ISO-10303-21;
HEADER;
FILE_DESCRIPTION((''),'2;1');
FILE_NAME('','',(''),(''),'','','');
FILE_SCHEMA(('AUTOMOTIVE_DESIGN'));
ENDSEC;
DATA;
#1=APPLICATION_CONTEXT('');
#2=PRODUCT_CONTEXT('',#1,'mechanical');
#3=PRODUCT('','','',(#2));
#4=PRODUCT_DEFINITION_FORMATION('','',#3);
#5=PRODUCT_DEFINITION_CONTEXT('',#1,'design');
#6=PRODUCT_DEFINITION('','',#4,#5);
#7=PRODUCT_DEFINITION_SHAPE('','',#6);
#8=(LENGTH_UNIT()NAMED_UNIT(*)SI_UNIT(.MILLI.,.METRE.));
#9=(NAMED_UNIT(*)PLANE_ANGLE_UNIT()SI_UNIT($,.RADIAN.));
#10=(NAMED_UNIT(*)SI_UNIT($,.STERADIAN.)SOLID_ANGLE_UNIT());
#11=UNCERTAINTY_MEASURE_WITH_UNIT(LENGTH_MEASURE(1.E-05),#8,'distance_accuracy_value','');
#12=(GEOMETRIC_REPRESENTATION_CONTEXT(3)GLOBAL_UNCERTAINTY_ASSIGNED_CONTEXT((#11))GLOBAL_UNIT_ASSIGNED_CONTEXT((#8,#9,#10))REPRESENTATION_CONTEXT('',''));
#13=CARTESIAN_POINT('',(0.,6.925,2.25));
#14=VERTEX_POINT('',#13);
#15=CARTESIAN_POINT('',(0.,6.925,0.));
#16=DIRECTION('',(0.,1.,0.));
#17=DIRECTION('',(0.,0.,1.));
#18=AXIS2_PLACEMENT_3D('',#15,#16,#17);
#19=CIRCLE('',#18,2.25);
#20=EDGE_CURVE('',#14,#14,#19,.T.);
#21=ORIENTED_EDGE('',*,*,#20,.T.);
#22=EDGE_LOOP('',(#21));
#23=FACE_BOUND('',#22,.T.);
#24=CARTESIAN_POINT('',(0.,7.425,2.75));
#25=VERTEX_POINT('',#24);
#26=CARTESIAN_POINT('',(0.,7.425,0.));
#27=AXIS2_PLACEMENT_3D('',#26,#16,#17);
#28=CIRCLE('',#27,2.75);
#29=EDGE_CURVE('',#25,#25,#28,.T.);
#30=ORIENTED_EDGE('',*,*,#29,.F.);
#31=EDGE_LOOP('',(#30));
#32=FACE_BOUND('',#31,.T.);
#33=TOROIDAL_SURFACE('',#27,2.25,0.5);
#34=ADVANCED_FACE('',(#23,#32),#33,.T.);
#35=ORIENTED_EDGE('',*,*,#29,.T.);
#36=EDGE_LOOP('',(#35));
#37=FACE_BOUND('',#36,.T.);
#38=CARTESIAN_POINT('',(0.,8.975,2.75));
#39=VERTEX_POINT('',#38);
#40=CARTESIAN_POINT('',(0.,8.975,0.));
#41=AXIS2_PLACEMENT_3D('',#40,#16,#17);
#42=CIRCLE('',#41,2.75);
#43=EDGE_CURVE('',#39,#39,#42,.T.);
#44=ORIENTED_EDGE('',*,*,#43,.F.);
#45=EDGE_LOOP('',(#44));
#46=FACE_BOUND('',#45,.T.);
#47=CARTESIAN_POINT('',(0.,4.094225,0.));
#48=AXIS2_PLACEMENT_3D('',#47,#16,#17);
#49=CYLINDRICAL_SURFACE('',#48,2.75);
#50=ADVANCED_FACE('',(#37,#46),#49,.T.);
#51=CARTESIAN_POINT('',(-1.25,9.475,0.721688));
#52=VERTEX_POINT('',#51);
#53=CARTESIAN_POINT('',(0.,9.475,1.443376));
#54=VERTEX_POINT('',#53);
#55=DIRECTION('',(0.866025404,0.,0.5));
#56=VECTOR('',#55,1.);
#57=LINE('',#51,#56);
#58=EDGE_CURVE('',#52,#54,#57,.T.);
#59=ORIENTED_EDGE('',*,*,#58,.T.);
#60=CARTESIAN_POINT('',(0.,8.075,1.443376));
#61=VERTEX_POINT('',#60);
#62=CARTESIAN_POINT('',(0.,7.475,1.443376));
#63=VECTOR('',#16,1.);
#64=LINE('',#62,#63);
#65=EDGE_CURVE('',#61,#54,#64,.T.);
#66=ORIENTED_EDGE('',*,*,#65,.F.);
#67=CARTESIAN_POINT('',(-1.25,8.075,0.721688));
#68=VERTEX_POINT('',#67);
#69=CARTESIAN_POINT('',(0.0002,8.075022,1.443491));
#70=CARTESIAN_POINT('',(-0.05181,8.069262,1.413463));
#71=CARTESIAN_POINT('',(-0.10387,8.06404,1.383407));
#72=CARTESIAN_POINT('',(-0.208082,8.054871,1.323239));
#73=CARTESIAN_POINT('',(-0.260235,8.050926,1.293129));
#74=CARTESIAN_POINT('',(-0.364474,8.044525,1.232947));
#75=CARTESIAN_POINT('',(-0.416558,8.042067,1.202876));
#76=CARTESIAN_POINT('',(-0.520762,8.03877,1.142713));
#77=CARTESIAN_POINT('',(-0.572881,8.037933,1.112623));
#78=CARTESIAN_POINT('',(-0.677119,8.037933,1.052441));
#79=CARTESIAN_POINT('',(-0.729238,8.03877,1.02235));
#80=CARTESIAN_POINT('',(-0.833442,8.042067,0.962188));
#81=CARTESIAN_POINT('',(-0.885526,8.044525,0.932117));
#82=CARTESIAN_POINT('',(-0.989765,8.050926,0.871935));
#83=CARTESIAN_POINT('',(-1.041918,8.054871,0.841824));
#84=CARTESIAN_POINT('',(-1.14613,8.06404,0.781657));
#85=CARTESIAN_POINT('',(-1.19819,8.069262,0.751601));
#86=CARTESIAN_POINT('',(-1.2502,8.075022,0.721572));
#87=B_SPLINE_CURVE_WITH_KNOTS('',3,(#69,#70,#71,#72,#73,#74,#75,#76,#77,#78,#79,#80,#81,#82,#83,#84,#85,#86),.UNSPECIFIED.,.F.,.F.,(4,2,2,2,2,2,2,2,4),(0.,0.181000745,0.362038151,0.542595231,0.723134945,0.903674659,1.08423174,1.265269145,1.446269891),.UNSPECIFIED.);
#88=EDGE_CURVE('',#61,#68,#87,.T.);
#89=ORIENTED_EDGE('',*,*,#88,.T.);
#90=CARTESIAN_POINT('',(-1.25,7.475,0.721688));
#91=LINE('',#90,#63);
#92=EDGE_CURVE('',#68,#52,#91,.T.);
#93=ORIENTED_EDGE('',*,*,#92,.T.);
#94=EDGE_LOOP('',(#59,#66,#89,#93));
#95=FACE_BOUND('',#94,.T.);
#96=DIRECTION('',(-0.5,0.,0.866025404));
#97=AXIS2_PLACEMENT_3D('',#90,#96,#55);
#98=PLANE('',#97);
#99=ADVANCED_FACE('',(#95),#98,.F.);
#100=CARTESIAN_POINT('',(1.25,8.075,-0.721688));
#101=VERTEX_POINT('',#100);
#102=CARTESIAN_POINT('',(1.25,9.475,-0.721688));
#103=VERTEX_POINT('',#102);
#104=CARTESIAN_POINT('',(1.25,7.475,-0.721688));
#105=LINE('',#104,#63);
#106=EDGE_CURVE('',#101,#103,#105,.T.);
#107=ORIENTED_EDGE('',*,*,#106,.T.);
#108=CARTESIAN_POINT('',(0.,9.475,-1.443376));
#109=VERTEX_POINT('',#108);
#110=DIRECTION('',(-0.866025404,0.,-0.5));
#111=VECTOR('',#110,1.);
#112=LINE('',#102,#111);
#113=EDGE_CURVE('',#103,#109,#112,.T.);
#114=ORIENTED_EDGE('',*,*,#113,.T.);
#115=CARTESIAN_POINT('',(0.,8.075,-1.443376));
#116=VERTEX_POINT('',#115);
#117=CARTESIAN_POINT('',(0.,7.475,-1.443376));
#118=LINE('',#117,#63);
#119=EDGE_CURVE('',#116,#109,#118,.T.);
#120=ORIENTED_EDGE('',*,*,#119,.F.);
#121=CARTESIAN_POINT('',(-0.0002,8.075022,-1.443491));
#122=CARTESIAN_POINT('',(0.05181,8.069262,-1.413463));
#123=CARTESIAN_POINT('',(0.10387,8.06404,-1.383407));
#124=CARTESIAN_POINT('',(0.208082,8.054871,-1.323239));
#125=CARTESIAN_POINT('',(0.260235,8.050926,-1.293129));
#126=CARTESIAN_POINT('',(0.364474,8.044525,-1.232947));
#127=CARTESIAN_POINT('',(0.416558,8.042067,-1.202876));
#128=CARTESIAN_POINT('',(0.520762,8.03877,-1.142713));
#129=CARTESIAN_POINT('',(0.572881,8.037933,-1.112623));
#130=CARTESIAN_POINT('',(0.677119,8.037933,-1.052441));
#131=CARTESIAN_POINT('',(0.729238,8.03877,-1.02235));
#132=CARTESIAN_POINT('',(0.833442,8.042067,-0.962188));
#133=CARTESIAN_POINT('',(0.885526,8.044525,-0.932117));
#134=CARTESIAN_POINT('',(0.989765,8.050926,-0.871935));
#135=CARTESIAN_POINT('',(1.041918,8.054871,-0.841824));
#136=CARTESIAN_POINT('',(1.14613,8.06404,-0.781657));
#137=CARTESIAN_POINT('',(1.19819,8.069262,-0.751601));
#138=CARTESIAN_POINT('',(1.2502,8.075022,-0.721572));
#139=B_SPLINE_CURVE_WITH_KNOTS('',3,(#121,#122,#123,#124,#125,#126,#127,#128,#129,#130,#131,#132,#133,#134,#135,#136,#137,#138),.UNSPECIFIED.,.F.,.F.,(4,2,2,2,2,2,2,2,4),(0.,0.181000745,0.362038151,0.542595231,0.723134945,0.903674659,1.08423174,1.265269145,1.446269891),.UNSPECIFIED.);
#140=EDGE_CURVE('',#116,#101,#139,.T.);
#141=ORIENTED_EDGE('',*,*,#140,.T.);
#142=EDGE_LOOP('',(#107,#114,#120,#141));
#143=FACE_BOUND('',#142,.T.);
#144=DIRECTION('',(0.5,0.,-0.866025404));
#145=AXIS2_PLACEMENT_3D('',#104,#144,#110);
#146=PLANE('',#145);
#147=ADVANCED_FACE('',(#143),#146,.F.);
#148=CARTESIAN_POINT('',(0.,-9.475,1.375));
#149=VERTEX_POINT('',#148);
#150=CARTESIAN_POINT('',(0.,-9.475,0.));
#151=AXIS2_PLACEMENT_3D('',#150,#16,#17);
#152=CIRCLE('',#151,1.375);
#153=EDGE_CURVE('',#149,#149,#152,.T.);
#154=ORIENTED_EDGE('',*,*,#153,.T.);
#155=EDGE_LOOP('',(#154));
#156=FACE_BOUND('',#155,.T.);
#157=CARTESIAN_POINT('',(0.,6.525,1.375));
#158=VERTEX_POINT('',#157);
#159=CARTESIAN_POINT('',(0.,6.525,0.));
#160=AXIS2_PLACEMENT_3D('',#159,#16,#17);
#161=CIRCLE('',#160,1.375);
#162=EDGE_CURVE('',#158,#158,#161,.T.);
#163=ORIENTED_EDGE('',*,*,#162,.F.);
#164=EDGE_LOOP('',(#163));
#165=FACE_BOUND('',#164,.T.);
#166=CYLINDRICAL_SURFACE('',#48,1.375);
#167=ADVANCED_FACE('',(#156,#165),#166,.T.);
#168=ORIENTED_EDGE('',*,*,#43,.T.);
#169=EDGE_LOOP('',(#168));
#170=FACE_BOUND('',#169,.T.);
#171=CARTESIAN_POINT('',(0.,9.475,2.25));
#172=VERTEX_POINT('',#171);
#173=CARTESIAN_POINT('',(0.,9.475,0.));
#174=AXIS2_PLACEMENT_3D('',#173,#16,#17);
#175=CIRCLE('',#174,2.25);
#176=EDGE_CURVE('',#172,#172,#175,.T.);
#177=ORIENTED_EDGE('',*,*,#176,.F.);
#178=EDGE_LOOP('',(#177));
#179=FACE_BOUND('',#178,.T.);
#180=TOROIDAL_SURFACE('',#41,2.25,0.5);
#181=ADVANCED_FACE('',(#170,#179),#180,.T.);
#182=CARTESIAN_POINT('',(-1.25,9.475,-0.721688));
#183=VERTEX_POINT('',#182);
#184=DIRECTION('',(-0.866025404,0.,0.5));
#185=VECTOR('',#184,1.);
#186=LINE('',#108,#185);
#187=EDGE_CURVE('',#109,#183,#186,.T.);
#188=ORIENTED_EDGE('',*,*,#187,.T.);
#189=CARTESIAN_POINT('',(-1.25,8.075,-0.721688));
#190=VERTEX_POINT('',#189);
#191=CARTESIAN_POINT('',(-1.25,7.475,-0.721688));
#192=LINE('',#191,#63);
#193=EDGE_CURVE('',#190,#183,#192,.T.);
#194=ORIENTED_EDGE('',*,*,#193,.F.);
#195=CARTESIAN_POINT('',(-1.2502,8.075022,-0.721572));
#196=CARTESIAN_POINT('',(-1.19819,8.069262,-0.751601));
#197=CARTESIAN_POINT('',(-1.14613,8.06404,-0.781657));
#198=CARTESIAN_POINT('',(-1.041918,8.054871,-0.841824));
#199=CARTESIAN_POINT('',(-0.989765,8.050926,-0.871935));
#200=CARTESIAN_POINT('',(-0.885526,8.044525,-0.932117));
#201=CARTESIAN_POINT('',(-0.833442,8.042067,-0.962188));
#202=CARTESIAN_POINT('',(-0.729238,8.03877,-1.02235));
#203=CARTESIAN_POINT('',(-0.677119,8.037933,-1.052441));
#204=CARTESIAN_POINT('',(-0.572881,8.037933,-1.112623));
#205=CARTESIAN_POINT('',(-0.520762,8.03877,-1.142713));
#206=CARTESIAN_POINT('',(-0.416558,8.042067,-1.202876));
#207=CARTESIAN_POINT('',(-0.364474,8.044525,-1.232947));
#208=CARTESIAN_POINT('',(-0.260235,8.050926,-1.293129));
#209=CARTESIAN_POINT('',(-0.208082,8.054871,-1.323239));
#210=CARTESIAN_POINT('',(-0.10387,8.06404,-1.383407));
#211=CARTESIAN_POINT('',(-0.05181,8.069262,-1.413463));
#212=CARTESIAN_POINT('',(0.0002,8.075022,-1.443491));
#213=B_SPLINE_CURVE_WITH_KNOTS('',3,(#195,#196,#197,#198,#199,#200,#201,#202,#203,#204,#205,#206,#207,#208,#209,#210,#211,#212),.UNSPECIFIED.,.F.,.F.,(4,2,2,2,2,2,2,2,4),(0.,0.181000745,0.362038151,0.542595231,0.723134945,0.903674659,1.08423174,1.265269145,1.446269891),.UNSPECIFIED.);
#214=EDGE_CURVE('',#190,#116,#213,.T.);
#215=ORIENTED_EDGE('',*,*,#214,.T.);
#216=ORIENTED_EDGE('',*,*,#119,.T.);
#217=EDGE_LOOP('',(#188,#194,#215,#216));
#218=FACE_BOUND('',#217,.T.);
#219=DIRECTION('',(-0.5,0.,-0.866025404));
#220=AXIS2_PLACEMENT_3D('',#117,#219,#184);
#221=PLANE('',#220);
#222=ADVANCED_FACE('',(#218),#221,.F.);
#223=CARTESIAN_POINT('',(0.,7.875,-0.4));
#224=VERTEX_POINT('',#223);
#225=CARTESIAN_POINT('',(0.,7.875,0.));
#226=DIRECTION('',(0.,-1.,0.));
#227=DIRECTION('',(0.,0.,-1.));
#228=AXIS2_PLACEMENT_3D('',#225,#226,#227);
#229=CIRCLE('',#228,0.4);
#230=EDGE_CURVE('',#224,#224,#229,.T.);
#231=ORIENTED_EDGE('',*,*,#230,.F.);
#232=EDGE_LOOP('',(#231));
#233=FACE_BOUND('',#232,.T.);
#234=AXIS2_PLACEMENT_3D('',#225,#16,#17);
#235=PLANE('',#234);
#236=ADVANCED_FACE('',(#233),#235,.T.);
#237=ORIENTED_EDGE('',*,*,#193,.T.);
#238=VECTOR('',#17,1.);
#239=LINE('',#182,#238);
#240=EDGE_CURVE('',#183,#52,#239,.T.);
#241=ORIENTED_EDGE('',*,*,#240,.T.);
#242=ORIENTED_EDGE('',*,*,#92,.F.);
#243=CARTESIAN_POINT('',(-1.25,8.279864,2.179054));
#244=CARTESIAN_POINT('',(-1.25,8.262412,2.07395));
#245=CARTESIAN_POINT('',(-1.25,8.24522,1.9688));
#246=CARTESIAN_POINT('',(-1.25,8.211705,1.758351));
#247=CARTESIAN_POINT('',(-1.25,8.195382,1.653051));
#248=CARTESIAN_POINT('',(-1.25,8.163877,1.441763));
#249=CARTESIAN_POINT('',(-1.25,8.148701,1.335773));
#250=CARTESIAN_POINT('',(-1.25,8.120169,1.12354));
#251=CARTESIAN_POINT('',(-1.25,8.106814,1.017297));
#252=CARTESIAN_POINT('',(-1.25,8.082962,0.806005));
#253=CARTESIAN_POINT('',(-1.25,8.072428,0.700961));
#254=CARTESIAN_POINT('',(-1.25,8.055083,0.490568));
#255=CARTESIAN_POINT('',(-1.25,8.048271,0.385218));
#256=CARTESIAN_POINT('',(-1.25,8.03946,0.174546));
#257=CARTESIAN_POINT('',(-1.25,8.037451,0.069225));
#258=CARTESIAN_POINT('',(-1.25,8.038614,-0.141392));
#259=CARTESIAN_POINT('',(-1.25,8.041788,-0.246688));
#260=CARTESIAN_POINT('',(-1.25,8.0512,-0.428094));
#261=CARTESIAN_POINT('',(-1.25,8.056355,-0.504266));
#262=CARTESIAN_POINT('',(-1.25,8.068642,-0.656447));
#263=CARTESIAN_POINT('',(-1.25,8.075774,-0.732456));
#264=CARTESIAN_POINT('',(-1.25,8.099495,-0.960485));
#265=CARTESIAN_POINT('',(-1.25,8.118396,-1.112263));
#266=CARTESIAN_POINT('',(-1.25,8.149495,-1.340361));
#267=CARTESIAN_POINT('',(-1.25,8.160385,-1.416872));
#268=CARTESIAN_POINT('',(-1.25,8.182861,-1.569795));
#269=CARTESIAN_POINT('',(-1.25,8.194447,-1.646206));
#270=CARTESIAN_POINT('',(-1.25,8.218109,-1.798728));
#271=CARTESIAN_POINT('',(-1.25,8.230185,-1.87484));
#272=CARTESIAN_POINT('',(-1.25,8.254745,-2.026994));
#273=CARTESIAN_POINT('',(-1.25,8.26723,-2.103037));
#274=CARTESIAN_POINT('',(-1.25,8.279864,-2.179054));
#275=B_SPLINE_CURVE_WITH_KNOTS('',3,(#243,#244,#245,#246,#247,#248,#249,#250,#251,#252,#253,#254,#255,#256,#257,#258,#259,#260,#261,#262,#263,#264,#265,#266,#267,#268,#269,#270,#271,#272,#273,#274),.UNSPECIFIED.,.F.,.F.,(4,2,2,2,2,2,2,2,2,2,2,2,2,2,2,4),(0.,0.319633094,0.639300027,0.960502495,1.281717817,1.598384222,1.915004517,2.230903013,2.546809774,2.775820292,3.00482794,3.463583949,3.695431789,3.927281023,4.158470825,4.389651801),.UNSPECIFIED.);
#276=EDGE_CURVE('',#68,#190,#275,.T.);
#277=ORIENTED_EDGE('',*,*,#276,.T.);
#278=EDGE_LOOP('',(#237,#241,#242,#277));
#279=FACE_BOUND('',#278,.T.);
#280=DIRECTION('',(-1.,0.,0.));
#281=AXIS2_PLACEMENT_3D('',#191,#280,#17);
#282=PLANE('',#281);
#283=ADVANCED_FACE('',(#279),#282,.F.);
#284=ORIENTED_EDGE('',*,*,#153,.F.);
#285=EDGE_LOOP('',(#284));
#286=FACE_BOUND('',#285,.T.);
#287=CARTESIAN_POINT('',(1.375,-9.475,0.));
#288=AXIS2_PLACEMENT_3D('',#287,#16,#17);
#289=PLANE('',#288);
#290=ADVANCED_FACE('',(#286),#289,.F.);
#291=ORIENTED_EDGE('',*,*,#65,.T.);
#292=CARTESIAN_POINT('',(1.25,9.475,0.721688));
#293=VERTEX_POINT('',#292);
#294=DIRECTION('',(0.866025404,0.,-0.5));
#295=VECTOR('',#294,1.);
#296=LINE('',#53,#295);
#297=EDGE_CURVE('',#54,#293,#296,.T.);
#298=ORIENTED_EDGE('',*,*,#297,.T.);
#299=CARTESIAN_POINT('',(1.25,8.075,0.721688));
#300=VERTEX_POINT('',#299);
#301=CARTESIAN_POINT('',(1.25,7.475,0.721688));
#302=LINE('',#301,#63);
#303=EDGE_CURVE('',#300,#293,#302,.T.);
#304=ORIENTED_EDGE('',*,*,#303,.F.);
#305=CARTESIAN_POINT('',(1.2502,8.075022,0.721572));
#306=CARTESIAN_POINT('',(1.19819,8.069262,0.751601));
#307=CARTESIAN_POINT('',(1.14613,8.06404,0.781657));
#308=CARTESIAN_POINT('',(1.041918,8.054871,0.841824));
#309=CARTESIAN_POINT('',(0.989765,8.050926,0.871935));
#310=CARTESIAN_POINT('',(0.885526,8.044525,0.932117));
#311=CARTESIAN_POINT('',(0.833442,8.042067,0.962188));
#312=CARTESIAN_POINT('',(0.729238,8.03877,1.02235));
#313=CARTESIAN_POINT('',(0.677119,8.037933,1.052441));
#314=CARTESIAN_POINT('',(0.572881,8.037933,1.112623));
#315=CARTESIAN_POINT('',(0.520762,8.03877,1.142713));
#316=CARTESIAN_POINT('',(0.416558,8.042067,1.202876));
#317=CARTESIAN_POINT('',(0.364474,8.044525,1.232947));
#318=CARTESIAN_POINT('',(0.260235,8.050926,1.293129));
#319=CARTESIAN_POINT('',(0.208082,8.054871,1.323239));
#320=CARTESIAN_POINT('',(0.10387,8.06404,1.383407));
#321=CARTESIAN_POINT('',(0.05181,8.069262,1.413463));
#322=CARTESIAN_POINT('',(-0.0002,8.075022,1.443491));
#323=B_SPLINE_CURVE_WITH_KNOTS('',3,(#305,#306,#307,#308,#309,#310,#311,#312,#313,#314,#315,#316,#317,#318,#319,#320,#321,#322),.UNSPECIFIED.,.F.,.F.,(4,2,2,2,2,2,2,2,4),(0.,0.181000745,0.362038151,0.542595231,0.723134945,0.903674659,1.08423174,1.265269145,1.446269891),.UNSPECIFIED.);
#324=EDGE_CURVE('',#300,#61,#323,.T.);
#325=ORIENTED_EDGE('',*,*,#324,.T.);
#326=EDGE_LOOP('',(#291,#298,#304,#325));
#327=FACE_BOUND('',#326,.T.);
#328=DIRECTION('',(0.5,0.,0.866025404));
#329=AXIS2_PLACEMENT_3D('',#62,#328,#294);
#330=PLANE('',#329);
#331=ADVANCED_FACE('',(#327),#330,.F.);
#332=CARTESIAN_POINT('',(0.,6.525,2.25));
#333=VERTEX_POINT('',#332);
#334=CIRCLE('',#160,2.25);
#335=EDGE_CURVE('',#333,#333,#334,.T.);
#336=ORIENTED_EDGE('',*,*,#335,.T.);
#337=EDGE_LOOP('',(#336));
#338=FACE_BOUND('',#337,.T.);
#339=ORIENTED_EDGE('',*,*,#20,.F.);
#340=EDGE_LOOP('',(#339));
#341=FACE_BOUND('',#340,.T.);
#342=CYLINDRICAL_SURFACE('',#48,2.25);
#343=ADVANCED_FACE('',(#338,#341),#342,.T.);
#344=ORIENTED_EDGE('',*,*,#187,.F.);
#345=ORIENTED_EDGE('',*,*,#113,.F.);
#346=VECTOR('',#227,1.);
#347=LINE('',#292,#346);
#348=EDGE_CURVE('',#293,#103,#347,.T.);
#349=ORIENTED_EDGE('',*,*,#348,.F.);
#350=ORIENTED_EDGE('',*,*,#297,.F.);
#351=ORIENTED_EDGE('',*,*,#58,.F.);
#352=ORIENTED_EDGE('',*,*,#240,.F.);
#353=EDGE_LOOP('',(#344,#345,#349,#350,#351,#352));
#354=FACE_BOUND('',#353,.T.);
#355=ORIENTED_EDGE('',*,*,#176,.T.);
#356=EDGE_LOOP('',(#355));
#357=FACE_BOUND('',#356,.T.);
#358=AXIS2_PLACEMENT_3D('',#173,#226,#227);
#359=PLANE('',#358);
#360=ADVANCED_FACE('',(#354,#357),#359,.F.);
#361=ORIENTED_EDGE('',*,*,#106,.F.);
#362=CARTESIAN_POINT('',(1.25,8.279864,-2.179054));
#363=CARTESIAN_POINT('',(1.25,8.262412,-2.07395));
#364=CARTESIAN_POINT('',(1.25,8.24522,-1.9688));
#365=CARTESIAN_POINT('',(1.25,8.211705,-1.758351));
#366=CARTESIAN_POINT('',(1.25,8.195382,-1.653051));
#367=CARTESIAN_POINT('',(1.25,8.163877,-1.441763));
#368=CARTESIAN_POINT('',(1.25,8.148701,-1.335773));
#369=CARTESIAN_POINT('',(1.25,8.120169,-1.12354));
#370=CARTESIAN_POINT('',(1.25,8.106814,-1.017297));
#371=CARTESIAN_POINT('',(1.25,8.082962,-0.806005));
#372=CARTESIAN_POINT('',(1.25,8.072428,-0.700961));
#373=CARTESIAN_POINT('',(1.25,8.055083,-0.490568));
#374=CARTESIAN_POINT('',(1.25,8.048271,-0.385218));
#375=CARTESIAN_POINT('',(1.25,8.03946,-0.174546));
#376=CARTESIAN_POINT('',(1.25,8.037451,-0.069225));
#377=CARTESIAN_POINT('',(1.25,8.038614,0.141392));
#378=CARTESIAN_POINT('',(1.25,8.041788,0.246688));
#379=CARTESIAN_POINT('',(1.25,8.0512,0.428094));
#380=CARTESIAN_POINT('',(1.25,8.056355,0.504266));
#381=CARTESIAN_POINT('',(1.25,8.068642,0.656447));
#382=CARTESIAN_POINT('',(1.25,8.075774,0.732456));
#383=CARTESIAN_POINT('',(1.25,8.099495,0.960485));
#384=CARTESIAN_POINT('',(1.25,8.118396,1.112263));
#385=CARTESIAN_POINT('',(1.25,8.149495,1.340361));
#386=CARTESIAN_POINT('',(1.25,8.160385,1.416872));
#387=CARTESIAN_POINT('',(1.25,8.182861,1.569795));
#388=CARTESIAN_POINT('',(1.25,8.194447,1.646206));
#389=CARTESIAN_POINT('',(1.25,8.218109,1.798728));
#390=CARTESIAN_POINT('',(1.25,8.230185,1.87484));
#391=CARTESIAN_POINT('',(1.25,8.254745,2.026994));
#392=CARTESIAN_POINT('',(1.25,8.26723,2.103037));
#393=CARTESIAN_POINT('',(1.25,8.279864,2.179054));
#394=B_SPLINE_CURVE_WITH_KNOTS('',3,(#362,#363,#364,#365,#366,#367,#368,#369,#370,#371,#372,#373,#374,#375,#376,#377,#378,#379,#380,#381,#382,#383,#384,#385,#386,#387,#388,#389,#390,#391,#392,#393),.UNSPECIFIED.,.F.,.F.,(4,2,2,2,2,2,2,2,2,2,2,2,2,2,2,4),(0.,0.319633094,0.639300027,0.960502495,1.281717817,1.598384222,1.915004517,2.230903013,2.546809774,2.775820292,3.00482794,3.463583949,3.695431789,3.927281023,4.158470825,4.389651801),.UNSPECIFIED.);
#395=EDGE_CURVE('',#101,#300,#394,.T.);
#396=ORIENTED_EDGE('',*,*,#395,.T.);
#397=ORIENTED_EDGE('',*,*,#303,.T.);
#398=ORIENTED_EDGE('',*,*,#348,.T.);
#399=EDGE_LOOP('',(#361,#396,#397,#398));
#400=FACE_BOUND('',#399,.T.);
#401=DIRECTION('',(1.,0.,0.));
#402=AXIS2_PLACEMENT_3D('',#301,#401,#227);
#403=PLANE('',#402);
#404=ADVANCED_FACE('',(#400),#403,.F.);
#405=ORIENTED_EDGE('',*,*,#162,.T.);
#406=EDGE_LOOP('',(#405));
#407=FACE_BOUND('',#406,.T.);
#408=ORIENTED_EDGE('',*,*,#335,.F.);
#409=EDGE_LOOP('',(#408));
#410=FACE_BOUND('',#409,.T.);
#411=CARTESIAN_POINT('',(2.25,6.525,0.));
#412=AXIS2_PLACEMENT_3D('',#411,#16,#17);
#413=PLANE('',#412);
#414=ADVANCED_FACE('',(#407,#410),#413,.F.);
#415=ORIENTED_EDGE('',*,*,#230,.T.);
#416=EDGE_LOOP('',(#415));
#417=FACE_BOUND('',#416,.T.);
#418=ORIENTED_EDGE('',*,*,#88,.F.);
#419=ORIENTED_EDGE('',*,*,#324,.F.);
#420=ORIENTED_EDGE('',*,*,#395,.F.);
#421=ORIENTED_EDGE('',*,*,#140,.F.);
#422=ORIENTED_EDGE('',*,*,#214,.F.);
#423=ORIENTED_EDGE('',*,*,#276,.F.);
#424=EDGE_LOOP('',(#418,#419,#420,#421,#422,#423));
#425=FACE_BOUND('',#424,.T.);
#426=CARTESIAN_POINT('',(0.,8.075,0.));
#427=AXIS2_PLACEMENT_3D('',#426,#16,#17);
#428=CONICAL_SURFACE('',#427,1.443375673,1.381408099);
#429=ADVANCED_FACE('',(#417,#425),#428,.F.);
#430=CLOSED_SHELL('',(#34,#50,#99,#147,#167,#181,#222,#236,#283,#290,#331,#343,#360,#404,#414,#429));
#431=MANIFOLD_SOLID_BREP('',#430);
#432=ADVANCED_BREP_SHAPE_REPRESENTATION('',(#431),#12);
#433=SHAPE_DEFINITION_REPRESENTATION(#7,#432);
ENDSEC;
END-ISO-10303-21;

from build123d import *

# Parameters (mm, degrees)
BOSS_EXTRUDE1_DEPTH = 2


with BuildPart() as part:
    # Sketch1 → Revolve1 (revolve)
    with BuildSketch(Plane.XY):
        with BuildLine():
            Line((0, 9.475), (2.25, 9.475))
            ThreePointArc((2.25, 9.475), (2.603553391, 9.328553391), (2.75, 8.975))
            Line((2.75, 8.975), (2.75, 7.425))
            ThreePointArc((2.75, 7.425), (2.603553391, 7.071446609), (2.25, 6.925))
            Line((2.25, 6.925), (2.25, 6.525))
            Line((2.25, 6.525), (1.375, 6.525))
            Line((1.375, 6.525), (1.375, -9.475))
            Line((1.375, -9.475), (0, -9.475))
            Line((0, -9.475), (0, 9.475))
        make_face()
    revolve(axis=Axis((0, 4.094224924, 0), (0, -1, 0)))


with BuildPart() as body_2:
    # Sketch2 → Boss-Extrude1 (new body)
    with BuildSketch(Plane(origin=(0, 9.475, 0), x_dir=(1, 0, 0), z_dir=(0, 1, 0))):
        Polygon((0, 1.443375673), (-1.25, 0.721687836), (-1.25, -0.721687836), (0, -1.443375673), (1.25, -0.721687836), (1.25, 0.721687836), align=None)
    extrude(amount=-BOSS_EXTRUDE1_DEPTH)

    # Sketch3 → Cut-Revolve1 (revolve, cut)
    with BuildSketch(Plane(origin=(0, 0, 0), x_dir=(0, 0, -1), z_dir=(1, 0, 0))):
        Polygon((0, 7.875), (0.4, 7.875), (1.443375673, 8.075), (1.443375673, 7.475), (0, 7.475), align=None)
    revolve(axis=Axis((0, 7.475, 0), (0, 1, 0)), mode=Mode.SUBTRACT)


with BuildPart() as part_1:
    add(part.part)

    # Combine1: cut body 2
    add(body_2.part, mode=Mode.SUBTRACT)


solid = part_1.part
